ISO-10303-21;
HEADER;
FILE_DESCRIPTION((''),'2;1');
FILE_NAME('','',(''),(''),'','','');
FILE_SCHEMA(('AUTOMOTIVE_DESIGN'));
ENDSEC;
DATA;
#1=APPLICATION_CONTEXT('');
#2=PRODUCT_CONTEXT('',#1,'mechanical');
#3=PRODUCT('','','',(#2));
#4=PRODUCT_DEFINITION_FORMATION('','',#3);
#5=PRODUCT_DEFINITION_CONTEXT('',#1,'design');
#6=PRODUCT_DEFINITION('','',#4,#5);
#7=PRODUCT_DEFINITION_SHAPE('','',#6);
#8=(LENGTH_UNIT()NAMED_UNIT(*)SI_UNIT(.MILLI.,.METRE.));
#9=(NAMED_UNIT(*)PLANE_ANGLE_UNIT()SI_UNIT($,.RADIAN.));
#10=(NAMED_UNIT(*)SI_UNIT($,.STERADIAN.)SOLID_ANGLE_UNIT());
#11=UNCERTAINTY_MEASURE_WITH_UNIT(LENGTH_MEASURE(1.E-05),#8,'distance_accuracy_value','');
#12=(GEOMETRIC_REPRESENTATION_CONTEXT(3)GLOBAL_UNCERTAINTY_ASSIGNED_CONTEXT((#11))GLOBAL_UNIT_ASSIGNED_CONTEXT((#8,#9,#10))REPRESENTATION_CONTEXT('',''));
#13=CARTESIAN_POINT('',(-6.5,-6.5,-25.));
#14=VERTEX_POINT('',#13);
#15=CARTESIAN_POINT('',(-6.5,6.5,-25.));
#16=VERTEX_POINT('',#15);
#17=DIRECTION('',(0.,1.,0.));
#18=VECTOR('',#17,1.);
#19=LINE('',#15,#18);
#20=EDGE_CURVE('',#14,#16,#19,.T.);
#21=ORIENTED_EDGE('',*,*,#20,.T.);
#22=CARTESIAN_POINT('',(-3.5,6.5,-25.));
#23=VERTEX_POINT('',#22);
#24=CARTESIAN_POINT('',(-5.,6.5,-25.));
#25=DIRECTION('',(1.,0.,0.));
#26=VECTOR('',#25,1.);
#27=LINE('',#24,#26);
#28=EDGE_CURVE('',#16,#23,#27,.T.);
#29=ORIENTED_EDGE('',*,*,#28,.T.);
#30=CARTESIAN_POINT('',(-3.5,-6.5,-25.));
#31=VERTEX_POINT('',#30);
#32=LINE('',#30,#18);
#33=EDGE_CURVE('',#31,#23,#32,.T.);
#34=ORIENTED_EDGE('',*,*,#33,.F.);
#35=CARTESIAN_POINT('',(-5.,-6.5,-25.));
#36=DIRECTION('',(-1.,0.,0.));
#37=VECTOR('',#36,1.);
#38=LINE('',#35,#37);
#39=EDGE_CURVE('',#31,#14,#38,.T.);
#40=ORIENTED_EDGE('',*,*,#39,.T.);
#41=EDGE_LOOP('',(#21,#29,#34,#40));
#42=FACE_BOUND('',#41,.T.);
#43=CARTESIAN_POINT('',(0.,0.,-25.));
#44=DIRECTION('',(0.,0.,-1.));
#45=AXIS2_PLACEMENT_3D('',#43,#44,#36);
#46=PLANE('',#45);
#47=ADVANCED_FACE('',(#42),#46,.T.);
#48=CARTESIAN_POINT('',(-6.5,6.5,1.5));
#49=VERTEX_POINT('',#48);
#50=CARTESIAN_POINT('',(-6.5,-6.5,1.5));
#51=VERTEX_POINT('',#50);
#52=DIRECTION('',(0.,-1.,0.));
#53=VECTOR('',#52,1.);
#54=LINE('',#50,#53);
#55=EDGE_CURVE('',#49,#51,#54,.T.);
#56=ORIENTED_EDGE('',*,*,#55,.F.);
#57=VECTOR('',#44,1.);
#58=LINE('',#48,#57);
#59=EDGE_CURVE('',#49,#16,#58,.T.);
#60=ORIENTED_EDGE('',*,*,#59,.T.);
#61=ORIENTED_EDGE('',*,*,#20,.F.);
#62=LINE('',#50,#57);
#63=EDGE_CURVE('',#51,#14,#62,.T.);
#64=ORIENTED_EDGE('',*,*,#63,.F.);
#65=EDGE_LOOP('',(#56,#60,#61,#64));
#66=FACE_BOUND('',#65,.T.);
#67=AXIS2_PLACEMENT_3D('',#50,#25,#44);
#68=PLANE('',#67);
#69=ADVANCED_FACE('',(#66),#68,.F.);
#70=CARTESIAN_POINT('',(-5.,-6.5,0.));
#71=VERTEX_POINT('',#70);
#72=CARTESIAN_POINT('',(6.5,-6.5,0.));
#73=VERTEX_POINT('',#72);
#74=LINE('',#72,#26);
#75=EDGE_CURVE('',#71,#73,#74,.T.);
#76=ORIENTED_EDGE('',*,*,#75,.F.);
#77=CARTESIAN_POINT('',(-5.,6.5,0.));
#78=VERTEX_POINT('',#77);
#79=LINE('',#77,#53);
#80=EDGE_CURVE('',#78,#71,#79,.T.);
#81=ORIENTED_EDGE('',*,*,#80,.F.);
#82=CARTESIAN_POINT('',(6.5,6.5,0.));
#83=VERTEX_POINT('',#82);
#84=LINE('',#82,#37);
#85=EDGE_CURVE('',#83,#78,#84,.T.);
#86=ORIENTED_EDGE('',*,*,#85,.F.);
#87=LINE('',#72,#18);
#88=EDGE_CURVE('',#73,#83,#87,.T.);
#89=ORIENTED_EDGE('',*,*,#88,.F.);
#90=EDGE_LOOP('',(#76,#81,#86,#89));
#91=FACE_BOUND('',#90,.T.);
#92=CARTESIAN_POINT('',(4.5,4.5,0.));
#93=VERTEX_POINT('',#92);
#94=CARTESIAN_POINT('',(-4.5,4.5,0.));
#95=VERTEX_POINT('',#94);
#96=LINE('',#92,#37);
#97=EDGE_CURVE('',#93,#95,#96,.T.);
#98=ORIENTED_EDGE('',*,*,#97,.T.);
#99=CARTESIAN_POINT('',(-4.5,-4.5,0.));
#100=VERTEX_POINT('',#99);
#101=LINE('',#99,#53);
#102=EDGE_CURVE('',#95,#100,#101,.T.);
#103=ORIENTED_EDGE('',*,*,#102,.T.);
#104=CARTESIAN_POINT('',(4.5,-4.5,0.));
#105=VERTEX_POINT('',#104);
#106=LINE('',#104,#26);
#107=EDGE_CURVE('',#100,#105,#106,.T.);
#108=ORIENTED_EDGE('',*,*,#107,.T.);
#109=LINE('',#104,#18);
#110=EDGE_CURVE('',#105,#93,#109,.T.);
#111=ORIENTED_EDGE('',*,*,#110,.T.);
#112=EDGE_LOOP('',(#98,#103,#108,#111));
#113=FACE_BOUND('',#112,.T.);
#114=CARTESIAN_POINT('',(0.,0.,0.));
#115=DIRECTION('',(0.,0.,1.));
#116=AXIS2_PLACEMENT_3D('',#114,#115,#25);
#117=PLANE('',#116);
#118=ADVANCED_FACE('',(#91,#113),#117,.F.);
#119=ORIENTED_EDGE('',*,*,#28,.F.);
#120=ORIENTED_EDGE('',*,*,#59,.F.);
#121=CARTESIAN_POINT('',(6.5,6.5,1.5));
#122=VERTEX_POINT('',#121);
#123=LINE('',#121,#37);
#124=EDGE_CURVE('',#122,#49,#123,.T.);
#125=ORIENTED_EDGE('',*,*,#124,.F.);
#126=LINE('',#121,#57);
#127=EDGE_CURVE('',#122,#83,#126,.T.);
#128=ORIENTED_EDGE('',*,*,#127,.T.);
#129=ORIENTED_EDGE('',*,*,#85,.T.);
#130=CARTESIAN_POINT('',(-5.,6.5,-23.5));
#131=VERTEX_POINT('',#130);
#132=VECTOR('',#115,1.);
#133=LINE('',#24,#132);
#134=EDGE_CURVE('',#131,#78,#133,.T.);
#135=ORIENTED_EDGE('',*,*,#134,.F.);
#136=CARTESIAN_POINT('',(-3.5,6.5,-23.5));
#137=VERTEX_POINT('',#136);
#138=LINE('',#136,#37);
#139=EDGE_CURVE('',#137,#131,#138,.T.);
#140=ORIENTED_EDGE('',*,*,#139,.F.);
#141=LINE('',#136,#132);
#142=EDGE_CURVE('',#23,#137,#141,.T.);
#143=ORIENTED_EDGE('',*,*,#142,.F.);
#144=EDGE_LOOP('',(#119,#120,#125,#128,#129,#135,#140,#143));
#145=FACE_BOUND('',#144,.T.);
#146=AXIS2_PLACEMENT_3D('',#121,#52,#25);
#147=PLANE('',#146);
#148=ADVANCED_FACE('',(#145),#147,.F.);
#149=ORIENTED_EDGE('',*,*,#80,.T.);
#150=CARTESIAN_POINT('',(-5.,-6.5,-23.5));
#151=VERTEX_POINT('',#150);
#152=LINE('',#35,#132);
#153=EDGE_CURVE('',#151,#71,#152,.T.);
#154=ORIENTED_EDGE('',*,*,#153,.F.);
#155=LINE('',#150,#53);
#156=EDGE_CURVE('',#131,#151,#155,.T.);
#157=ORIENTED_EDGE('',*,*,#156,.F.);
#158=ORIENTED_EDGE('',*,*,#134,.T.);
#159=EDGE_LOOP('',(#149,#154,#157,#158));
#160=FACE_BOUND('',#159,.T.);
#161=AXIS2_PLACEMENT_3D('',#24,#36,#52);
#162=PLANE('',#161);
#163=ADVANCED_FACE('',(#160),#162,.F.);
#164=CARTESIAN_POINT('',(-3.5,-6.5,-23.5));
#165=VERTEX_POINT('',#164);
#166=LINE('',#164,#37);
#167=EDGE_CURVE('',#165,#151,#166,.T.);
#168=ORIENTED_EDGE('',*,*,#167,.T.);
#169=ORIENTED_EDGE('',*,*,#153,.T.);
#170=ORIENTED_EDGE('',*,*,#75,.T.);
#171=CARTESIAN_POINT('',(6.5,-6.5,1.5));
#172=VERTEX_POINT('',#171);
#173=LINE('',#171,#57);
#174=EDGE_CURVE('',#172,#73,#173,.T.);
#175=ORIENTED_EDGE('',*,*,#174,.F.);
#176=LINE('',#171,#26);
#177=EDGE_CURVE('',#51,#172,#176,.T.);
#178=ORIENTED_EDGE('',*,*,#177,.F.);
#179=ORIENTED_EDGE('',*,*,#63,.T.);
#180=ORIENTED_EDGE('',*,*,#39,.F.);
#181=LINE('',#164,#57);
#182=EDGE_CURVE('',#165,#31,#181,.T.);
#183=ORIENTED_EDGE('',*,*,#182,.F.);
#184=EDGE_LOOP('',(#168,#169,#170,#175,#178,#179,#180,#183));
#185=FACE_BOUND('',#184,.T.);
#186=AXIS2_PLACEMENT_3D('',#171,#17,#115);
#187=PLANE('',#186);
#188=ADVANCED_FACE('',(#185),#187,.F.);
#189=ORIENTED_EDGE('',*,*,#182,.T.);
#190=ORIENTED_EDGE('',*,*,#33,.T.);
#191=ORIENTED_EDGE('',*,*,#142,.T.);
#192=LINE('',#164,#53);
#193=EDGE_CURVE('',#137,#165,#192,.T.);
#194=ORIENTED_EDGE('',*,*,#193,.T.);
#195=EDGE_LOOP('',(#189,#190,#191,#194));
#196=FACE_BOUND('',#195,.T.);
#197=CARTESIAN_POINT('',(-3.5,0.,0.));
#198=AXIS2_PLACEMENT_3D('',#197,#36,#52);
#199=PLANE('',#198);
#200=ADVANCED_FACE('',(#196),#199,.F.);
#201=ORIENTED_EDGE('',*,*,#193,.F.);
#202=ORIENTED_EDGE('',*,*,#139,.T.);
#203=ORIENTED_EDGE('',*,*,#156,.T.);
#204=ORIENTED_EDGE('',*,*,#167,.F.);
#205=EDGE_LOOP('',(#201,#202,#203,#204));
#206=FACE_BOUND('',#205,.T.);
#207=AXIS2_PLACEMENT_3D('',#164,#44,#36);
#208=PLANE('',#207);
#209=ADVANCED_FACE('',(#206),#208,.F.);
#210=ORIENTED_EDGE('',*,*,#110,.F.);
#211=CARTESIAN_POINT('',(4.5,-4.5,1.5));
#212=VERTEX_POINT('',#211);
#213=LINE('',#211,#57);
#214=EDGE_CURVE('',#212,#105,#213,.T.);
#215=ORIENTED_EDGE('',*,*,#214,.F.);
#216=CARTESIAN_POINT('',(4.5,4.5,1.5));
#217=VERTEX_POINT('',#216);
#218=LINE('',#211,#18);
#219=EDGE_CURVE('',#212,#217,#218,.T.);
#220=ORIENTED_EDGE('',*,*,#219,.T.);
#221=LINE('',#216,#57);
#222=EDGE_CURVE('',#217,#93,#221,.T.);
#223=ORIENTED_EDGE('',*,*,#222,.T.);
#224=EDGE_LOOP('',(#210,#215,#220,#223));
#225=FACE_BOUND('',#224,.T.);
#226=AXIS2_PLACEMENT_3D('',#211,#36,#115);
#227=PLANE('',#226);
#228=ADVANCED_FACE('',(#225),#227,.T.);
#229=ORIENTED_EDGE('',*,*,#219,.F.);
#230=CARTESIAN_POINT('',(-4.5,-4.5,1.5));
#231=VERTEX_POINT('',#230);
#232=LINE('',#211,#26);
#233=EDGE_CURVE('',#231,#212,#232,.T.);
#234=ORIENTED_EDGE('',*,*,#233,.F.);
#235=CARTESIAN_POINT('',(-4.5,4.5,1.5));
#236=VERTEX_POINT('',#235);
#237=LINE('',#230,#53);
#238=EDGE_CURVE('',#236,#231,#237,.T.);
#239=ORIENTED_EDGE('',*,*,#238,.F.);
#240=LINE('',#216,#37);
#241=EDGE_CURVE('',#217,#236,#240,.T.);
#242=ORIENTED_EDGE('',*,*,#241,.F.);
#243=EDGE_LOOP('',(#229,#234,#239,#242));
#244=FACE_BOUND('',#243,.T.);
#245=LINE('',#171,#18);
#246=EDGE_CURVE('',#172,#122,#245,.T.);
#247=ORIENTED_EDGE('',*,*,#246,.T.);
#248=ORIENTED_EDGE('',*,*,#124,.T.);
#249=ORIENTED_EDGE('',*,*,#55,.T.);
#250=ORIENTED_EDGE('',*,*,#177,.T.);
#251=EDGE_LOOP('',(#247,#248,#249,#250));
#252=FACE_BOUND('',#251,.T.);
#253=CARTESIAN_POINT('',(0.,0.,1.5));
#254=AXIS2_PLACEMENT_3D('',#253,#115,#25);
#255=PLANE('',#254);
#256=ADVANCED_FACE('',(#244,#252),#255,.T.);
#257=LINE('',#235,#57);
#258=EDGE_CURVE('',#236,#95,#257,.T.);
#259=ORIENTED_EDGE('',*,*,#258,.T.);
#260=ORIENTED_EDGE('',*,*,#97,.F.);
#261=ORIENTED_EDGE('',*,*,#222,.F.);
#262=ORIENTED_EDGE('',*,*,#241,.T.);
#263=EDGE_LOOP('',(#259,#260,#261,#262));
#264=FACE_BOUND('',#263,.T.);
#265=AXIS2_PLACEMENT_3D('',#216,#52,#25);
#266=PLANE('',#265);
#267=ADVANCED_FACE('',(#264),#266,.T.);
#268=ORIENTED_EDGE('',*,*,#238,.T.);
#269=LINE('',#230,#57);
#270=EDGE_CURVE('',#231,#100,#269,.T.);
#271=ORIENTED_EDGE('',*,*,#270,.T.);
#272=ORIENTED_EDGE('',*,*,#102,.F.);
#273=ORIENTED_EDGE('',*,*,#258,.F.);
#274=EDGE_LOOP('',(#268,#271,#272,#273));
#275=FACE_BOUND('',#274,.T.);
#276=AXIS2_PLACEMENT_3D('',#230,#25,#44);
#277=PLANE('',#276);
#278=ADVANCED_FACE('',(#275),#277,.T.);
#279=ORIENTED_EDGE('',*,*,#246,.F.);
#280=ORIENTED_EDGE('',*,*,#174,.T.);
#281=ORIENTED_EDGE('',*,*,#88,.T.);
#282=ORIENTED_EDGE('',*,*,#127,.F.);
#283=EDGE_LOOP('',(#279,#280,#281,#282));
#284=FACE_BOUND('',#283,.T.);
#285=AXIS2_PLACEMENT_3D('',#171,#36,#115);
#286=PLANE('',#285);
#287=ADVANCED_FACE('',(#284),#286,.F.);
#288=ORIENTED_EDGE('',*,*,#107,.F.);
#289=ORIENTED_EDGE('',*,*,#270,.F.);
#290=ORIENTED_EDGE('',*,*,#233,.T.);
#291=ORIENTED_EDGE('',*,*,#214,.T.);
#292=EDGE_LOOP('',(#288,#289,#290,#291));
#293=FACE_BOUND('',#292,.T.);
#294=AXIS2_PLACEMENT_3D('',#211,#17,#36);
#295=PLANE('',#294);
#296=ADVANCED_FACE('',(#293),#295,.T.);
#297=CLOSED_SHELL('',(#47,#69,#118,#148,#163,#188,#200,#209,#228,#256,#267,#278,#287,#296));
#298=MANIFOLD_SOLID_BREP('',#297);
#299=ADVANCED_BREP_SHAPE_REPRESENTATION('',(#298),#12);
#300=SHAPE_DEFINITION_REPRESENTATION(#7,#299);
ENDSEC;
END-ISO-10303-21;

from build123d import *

# Parameters (mm, degrees)
SKETCH1_W           = 13
SKETCH1_H           = 13
SKETCH1_W_2         = 9
SKETCH1_H_2         = 9
BOSS_EXTRUDE1_DEPTH = 1.5
SKETCH2_W           = 1.5
SKETCH2_H           = 13
BOSS_EXTRUDE2_DEPTH = 25
SKETCH3_W           = 1.5
SKETCH3_H           = 13
BOSS_EXTRUDE3_DEPTH = 1.5


with BuildPart() as part:
    # Sketch1 → Boss-Extrude1 (new body)
    with BuildSketch(Plane.XY):
        Rectangle(SKETCH1_W, SKETCH1_H)
        Rectangle(SKETCH1_W_2, SKETCH1_H_2, mode=Mode.SUBTRACT)
    extrude(amount=BOSS_EXTRUDE1_DEPTH)

    # Sketch2 → Boss-Extrude2 (add)
    with BuildSketch(Plane(origin=(0, 0, 0), x_dir=(-1, 0, 0), z_dir=(0, 0, -1))):
        with Locations((5.75, 0)):
            Rectangle(SKETCH2_W, SKETCH2_H)
    extrude(amount=BOSS_EXTRUDE2_DEPTH)

    # Sketch3 → Boss-Extrude3 (add)
    with BuildSketch(Plane(origin=(-5, 0, 0), x_dir=(0, 0, -1), z_dir=(1, 0, 0))):
        with Locations((24.25, 0)):
            Rectangle(SKETCH3_W, SKETCH3_H)
    extrude(amount=BOSS_EXTRUDE3_DEPTH)


solid = part.part
